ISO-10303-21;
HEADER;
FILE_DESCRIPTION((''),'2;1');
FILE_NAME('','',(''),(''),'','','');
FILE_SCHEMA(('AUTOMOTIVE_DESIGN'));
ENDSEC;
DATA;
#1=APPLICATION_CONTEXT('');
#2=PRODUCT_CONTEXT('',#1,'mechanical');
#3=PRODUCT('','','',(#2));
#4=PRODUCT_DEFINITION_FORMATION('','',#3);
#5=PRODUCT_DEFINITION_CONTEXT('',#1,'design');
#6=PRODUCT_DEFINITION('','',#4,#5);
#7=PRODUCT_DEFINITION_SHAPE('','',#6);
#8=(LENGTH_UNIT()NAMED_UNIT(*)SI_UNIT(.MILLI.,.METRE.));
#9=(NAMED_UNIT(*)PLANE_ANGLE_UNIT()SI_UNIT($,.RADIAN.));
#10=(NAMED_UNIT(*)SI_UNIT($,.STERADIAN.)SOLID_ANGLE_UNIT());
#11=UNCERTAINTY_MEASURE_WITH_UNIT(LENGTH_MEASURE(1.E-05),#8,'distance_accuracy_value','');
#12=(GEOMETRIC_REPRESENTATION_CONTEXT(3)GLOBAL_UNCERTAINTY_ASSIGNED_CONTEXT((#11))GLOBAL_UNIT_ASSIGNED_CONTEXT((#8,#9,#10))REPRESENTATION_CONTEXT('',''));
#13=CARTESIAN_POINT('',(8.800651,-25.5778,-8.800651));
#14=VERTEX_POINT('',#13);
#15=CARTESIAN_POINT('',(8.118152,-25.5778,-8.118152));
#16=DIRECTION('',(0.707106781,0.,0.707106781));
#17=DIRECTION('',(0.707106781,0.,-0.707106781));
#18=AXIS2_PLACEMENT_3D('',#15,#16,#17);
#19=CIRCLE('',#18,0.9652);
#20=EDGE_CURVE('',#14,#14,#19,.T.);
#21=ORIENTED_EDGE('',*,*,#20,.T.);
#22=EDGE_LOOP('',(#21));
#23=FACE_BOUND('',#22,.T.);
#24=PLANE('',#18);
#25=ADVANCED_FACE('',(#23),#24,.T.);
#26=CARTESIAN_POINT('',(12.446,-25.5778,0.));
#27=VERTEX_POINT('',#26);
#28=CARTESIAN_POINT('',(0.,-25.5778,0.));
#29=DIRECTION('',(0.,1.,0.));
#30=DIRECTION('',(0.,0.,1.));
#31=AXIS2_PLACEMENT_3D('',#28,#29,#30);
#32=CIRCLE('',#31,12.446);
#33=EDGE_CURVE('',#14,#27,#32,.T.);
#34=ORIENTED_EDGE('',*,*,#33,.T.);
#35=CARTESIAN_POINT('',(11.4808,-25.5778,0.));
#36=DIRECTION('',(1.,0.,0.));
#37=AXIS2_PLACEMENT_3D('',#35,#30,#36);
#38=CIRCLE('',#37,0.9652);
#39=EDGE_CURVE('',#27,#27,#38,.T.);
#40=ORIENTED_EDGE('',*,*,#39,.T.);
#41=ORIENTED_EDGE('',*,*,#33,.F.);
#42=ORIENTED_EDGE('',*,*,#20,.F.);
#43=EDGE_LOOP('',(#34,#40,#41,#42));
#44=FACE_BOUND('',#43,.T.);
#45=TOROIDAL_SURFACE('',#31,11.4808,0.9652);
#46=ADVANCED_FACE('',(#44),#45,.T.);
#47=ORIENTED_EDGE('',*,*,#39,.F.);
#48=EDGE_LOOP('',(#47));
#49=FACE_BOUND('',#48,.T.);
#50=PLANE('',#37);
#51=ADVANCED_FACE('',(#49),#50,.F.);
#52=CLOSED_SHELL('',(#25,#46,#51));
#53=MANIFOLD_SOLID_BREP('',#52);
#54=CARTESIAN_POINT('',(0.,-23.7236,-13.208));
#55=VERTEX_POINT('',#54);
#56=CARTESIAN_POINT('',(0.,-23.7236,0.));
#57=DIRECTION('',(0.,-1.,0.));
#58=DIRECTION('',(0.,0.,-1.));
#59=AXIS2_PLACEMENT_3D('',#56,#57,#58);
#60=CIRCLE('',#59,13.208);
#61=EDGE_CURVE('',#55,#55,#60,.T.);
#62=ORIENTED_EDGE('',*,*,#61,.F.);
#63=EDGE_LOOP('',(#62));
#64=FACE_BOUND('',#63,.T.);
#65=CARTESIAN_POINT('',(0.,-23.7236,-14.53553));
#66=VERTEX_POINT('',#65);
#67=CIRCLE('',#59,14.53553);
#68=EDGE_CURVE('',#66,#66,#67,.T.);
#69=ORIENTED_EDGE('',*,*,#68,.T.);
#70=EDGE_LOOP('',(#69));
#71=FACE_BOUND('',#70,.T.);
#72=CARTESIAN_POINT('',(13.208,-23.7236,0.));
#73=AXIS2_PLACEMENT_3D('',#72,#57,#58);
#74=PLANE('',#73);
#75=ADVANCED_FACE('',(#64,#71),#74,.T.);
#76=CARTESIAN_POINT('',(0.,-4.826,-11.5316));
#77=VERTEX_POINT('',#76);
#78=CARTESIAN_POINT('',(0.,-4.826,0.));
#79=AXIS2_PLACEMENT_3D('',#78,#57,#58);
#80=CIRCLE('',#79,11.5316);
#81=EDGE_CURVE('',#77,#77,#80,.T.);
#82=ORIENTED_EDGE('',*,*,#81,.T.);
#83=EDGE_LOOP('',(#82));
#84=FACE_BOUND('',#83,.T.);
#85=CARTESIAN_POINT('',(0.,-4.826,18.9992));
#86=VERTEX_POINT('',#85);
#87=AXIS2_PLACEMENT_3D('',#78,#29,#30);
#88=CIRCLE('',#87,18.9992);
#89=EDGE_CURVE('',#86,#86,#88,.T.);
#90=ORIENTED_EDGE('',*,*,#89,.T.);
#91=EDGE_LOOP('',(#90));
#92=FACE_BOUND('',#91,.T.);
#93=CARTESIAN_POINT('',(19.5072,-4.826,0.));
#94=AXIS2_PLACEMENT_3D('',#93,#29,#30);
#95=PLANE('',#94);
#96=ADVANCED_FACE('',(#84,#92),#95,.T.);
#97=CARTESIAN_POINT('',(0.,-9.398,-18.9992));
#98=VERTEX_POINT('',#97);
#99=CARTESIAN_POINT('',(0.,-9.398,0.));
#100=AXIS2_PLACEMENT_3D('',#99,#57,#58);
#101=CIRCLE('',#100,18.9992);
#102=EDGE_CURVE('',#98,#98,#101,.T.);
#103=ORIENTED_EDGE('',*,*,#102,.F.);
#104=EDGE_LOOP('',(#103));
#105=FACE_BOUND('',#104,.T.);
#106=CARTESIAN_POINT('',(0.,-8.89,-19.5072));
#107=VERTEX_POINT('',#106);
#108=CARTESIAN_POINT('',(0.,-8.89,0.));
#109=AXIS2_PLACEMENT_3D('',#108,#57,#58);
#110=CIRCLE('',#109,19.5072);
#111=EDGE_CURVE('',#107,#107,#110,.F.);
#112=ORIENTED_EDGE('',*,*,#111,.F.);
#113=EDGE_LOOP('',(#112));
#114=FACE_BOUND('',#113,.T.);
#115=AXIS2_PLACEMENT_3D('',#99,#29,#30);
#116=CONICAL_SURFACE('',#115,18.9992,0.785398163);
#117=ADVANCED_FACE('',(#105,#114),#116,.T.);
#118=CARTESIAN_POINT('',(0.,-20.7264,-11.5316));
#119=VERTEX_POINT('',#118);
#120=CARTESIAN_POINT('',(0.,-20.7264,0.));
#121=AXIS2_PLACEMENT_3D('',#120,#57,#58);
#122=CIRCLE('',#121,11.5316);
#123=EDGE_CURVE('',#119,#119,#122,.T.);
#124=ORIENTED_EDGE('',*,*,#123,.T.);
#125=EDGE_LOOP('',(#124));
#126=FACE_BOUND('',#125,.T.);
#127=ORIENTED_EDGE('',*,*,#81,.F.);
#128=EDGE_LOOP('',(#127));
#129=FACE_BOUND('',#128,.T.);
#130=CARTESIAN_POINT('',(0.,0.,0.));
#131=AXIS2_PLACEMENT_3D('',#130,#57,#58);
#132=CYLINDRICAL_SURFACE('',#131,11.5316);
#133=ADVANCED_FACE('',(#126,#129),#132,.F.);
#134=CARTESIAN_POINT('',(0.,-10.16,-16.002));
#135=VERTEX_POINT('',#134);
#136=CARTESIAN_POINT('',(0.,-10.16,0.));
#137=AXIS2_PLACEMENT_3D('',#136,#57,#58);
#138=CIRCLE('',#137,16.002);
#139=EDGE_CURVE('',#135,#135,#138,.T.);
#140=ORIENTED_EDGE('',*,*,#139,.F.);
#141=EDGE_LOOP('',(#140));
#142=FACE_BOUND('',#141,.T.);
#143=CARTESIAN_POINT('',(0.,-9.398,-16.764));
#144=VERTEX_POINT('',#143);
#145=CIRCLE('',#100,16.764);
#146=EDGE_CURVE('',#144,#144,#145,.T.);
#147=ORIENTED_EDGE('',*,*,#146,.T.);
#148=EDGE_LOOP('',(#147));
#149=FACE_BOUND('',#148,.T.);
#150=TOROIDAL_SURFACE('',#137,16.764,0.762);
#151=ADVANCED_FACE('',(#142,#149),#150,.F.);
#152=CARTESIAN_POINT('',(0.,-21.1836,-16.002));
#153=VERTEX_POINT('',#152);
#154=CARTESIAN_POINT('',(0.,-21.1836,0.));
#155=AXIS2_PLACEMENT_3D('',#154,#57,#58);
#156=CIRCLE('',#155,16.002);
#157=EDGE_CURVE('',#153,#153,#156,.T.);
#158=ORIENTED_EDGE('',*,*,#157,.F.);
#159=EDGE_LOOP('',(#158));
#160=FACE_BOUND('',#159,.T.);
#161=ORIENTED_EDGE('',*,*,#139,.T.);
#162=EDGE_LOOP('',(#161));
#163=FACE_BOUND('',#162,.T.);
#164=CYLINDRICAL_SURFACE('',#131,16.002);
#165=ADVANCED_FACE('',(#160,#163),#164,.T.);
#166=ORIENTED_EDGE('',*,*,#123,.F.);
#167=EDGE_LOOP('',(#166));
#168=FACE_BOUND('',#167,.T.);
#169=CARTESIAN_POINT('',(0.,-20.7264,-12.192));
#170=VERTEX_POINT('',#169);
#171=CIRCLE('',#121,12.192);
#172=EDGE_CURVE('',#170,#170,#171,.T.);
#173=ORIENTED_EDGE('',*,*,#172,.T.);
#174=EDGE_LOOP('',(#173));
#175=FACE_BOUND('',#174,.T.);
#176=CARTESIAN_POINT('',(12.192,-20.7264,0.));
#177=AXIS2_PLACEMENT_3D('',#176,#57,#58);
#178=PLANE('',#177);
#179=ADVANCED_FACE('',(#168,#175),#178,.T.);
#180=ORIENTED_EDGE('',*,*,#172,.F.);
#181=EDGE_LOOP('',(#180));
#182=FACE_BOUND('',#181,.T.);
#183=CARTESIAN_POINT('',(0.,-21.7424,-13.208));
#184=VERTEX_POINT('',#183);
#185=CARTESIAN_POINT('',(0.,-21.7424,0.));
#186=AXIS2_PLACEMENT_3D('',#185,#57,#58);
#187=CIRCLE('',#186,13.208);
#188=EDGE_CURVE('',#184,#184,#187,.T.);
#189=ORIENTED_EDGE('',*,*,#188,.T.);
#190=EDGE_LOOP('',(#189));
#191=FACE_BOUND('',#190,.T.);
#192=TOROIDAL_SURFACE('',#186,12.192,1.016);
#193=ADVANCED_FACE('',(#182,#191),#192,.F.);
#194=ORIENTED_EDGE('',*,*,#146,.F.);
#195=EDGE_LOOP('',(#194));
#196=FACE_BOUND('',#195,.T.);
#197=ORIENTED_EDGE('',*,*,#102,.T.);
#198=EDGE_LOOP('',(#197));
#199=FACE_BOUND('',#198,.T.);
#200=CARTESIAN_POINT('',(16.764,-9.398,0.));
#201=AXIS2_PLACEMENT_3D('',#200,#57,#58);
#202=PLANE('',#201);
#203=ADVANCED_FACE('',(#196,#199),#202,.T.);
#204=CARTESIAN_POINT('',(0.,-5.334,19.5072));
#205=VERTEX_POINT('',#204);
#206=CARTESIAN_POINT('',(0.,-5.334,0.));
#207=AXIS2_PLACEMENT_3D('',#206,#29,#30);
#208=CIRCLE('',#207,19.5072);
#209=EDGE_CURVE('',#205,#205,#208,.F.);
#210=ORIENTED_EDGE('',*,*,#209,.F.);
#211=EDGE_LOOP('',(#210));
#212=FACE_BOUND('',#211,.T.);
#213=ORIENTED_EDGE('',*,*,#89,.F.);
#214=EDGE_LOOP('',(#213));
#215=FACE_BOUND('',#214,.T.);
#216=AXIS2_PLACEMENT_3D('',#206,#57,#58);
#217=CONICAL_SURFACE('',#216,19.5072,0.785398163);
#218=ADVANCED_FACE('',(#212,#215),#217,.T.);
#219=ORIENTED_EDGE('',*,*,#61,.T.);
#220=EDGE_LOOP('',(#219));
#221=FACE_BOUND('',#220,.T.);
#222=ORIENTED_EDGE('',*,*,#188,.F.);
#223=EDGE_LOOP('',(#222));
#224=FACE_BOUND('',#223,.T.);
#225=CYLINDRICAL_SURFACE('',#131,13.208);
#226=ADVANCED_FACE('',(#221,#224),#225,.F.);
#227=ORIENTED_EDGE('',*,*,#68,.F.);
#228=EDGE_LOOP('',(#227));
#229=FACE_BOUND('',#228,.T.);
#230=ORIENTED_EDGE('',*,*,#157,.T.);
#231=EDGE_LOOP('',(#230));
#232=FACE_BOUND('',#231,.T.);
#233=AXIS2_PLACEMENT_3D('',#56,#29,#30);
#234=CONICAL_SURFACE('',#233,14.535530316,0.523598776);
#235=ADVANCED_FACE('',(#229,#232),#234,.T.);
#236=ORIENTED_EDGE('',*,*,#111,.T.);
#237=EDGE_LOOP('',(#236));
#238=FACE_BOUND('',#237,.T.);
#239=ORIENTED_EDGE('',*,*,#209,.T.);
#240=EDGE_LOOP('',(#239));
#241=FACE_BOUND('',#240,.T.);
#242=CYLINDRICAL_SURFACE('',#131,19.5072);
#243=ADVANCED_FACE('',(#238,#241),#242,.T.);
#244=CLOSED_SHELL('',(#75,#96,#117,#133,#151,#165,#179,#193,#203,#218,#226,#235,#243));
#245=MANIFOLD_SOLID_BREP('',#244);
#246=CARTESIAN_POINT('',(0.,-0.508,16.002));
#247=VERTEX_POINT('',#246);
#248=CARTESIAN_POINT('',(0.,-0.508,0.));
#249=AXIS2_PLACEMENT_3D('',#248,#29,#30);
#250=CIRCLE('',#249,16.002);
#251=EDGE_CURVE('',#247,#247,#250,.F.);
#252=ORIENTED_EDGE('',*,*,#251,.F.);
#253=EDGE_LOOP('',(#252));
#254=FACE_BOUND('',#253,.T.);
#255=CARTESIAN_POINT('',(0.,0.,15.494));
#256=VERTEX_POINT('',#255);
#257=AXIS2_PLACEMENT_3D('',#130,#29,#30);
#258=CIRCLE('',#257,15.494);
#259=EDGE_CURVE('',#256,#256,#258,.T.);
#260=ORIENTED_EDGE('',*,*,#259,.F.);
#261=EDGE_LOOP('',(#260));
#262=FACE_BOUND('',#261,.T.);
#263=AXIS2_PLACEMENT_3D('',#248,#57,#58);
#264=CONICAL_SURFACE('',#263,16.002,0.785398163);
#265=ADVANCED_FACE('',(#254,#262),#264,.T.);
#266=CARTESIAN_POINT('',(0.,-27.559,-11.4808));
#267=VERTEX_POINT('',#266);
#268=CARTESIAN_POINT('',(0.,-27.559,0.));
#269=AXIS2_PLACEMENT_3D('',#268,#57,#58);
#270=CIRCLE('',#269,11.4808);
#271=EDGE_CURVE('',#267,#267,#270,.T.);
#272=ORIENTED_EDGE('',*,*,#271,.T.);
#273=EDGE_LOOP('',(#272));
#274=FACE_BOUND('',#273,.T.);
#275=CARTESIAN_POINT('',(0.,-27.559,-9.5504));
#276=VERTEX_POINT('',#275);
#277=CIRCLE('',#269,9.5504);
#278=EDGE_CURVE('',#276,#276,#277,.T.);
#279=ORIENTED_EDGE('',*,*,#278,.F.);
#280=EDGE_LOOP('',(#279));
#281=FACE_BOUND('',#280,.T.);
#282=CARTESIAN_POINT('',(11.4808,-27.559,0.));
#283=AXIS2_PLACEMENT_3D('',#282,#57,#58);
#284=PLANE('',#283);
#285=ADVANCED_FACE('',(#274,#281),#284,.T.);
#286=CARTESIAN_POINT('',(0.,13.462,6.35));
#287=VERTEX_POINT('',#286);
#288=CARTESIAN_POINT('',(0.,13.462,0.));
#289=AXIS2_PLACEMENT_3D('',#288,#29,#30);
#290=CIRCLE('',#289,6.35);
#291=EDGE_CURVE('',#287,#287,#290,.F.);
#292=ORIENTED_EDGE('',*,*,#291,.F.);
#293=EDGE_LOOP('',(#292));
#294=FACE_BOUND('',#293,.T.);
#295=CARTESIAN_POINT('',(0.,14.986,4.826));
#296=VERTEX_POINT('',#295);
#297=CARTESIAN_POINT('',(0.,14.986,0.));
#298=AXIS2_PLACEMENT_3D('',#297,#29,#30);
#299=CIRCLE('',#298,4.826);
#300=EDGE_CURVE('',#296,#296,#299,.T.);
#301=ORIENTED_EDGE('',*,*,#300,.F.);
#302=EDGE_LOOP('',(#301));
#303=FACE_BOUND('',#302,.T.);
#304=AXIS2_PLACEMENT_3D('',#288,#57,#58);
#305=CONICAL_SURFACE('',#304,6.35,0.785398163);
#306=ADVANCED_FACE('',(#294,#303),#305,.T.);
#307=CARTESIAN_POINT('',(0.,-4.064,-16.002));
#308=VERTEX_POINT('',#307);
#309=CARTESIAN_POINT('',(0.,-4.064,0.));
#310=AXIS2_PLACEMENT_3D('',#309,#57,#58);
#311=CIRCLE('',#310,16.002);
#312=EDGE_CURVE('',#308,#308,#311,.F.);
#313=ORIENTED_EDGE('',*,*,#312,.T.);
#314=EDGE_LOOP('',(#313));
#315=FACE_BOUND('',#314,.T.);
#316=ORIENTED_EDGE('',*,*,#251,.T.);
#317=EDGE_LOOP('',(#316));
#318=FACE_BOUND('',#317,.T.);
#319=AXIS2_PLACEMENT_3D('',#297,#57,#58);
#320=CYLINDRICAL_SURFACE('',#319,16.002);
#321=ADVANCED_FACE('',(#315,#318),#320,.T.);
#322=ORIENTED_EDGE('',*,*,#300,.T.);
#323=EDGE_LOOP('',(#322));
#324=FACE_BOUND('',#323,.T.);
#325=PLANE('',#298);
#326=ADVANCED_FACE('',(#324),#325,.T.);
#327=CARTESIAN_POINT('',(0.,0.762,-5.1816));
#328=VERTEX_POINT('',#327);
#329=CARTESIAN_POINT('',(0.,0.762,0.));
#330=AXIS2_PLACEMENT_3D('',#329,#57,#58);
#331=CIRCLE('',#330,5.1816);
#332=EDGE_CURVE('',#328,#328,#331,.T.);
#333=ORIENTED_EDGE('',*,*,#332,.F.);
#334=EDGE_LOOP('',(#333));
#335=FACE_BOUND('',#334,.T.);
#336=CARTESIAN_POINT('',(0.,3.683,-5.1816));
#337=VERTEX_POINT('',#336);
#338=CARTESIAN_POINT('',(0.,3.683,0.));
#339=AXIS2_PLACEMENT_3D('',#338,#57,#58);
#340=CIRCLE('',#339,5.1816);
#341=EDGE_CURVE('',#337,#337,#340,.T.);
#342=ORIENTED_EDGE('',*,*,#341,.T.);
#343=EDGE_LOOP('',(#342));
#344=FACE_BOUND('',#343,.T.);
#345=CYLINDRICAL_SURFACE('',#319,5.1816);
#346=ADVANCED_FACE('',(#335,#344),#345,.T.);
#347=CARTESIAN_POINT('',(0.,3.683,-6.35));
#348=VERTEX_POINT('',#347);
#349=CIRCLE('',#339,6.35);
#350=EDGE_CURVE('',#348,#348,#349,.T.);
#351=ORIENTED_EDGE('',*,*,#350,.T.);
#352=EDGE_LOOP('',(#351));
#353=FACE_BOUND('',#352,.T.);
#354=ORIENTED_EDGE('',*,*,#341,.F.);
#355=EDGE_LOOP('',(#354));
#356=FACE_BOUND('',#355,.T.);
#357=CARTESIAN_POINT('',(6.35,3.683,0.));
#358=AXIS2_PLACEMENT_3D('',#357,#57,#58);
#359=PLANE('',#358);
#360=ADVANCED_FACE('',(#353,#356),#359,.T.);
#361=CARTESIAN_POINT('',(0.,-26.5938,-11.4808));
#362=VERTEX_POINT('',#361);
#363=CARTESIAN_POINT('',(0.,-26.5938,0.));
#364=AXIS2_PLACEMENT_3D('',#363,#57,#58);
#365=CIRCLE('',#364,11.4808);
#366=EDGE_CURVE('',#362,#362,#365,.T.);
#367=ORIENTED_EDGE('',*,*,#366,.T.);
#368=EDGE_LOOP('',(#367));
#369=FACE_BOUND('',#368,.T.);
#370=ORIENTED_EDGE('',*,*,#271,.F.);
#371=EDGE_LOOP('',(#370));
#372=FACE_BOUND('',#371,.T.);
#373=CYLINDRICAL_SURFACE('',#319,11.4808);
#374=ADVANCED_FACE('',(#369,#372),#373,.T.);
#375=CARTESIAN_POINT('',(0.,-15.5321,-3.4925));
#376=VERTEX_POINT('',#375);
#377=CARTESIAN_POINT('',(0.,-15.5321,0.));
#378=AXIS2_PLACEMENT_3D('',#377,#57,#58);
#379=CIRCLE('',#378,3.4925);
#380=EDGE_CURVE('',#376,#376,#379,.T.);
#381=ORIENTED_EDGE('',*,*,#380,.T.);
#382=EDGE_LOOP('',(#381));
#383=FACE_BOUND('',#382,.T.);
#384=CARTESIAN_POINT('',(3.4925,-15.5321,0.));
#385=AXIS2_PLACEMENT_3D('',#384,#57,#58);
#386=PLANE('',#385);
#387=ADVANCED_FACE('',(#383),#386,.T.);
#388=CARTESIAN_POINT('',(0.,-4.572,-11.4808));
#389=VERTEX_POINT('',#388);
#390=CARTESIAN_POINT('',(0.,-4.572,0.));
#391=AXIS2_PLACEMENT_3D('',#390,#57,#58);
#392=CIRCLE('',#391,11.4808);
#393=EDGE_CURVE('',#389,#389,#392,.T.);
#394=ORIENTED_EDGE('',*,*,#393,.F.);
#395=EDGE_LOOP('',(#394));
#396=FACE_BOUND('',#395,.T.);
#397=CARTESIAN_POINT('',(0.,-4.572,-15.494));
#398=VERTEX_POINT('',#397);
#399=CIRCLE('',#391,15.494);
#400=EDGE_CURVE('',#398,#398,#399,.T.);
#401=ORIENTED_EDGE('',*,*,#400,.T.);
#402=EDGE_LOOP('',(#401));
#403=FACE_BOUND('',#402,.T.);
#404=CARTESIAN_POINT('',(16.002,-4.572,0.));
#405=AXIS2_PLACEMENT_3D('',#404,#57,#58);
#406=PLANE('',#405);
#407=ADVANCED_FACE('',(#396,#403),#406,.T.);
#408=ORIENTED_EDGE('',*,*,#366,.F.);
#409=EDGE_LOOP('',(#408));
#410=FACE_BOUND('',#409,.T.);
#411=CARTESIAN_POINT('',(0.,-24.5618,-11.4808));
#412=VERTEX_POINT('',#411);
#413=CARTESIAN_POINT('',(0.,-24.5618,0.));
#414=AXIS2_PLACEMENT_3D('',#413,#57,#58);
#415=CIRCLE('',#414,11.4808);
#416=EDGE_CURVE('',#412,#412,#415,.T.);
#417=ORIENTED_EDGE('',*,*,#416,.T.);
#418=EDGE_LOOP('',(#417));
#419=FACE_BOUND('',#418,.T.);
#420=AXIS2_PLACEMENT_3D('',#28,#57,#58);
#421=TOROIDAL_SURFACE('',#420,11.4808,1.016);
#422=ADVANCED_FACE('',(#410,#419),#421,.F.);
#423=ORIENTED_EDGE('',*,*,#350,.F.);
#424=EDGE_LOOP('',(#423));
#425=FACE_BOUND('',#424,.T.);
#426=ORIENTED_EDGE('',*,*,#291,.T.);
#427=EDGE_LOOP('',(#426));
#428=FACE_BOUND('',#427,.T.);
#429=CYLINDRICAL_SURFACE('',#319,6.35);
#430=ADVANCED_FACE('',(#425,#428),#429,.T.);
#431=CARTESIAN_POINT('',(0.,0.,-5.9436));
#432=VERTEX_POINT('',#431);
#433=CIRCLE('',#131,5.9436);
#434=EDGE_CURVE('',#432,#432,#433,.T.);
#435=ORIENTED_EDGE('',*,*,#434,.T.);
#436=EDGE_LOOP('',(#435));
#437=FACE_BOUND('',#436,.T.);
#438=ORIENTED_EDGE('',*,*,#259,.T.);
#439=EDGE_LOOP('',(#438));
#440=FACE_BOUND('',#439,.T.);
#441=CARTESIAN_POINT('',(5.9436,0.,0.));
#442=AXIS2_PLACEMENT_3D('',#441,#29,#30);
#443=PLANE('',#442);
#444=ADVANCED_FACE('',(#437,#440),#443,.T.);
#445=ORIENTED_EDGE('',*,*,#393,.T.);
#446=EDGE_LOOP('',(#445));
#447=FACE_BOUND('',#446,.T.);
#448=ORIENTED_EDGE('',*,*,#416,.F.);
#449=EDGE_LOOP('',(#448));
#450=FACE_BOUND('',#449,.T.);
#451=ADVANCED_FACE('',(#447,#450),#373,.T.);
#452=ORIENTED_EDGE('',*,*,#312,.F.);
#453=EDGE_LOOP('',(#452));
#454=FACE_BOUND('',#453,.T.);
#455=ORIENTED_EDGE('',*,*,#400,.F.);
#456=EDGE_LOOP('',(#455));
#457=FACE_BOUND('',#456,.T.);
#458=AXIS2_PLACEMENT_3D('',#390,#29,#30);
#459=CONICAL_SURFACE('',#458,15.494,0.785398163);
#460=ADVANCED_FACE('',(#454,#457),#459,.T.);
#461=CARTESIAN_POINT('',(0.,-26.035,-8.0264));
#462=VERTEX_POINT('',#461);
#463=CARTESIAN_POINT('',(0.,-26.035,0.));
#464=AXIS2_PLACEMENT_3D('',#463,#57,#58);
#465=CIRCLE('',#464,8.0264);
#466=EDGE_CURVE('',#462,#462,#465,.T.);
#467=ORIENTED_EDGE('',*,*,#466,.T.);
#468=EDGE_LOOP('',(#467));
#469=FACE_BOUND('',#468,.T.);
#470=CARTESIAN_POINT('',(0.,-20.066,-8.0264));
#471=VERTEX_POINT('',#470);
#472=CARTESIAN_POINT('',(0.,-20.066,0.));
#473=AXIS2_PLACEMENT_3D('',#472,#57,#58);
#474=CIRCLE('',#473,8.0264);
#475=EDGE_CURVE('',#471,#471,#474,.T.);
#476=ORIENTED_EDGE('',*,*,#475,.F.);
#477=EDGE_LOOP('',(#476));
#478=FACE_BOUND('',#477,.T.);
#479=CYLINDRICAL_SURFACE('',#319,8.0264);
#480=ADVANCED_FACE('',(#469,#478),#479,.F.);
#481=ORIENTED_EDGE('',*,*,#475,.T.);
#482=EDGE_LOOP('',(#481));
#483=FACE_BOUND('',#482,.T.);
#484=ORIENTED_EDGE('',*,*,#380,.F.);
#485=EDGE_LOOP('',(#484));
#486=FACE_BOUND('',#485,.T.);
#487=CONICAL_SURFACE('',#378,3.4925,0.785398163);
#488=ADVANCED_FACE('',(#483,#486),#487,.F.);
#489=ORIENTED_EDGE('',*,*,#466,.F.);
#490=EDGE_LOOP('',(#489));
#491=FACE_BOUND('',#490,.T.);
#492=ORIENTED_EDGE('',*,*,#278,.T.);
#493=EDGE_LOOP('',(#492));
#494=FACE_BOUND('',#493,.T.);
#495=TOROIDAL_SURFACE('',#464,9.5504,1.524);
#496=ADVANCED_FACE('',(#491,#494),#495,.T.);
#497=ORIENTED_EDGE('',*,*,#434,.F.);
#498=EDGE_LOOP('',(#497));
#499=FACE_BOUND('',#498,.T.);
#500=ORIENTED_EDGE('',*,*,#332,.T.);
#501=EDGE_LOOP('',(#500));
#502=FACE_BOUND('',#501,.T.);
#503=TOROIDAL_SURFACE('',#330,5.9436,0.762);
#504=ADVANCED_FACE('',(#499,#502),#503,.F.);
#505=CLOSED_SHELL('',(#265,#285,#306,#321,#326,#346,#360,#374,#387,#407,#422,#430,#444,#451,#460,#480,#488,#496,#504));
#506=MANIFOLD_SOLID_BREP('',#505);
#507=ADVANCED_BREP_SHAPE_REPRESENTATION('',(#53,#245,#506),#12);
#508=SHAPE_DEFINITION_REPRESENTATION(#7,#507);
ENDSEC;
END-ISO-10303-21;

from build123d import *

# Parameters (mm, degrees)
CHAMFER1_SIZE  = 0.508
CHAMFER2_SIZE  = 1.524
CHAMFER3_SIZE  = 0.508
SKETCH3_R      = 0.9652
REVOLVE3_ANGLE = 315


with BuildPart() as part:
    # Sketch1 → Revolve1 (revolve)
    with BuildSketch(Plane.XY, mode=Mode.PRIVATE) as revolve1_sk:
        with BuildLine():
            Line((0, 14.986), (0, -15.5321))
            Line((0, -15.5321), (3.4925, -15.5321))
            Line((3.4925, -15.5321), (8.0264, -20.066))
            Line((8.0264, -20.066), (8.0264, -26.035))
            ThreePointArc((8.0264, -26.035), (8.472769265, -27.112630735), (9.5504, -27.559))
            Line((9.5504, -27.559), (11.4808, -27.559))
            Line((11.4808, -27.559), (11.4808, -26.5938))
            ThreePointArc((11.4808, -26.5938), (10.4648, -25.5778), (11.4808, -24.5618))
            Line((11.4808, -24.5618), (11.4808, -4.572))
            Line((11.4808, -4.572), (16.002, -4.572))
            Line((16.002, -4.572), (16.002, 0))
            Line((16.002, 0), (5.9436, 0))
            ThreePointArc((5.9436, 0), (5.404784633, 0.223184633), (5.1816, 0.762))
            Line((5.1816, 0.762), (5.1816, 3.683))
            Line((5.1816, 3.683), (6.35, 3.683))
            Line((6.35, 3.683), (6.35, 14.986))
            Line((6.35, 14.986), (0, 14.986))
        make_face()
    revolve(revolve1_sk.sketch.rotate(Axis((0, 14.986, 0), (0, 1, 0)), 90), axis=Axis((0, 14.986, 0), (0, 1, 0)))  # turned: the seam where the file's is

    # Chamfer1
    chamfer1_edges = [part.edges().sort_by_distance(p)[0] for p in [
        (0, -4.572, 16.002),
        (0, 0, 16.002),
    ]]
    chamfer(chamfer1_edges, length=CHAMFER1_SIZE)

    # Chamfer2
    chamfer2_edges = [part.edges().sort_by_distance(p)[0] for p in [
        (0, 14.986, 6.35),
    ]]
    chamfer(chamfer2_edges, length=CHAMFER2_SIZE)


with BuildPart() as body_2:
    # Sketch2 → Revolve2 (revolve)
    with BuildSketch(Plane.XY, mode=Mode.PRIVATE) as revolve2_sk:
        with BuildLine():
            Line((11.5316, -4.826), (11.5316, -20.7264))
            Line((11.5316, -20.7264), (12.192, -20.7264))
            ThreePointArc((12.192, -20.7264), (12.91042049, -21.02397951), (13.208, -21.7424))
            Line((13.208, -21.7424), (13.208, -23.7236))
            Line((13.208, -23.7236), (14.535530316, -23.7236))
            Line((14.535530316, -23.7236), (16.002, -21.1836))
            Line((16.002, -21.1836), (16.002, -10.16))
            ThreePointArc((16.002, -10.16), (16.225184633, -9.621184633), (16.764, -9.398))
            Line((16.764, -9.398), (19.5072, -9.398))
            Line((19.5072, -9.398), (19.5072, -4.826))
            Line((19.5072, -4.826), (11.5316, -4.826))
        make_face()
    revolve(revolve2_sk.sketch.rotate(Axis((0, 0, 0), (0, 1, 0)), 90), axis=Axis((0, 0, 0), (0, 1, 0)))  # turned: the seam where the file's is

    # Chamfer3
    chamfer3_edges = [body_2.edges().sort_by_distance(p)[0] for p in [
        (0, -4.826, 19.5072),
        (0, -9.398, 19.5072),
    ]]
    chamfer(chamfer3_edges, length=CHAMFER3_SIZE)


with BuildPart() as body_3:
    # Sketch3 → Revolve3 (revolve)
    with BuildSketch(Plane.XY):
        with Locations((11.4808, -25.5778)):
            Circle(SKETCH3_R)
    revolve(axis=Axis((0, 0, 0), (0, -1, 0)), revolution_arc=REVOLVE3_ANGLE)


solid = Compound([part.part, body_2.part, body_3.part])
